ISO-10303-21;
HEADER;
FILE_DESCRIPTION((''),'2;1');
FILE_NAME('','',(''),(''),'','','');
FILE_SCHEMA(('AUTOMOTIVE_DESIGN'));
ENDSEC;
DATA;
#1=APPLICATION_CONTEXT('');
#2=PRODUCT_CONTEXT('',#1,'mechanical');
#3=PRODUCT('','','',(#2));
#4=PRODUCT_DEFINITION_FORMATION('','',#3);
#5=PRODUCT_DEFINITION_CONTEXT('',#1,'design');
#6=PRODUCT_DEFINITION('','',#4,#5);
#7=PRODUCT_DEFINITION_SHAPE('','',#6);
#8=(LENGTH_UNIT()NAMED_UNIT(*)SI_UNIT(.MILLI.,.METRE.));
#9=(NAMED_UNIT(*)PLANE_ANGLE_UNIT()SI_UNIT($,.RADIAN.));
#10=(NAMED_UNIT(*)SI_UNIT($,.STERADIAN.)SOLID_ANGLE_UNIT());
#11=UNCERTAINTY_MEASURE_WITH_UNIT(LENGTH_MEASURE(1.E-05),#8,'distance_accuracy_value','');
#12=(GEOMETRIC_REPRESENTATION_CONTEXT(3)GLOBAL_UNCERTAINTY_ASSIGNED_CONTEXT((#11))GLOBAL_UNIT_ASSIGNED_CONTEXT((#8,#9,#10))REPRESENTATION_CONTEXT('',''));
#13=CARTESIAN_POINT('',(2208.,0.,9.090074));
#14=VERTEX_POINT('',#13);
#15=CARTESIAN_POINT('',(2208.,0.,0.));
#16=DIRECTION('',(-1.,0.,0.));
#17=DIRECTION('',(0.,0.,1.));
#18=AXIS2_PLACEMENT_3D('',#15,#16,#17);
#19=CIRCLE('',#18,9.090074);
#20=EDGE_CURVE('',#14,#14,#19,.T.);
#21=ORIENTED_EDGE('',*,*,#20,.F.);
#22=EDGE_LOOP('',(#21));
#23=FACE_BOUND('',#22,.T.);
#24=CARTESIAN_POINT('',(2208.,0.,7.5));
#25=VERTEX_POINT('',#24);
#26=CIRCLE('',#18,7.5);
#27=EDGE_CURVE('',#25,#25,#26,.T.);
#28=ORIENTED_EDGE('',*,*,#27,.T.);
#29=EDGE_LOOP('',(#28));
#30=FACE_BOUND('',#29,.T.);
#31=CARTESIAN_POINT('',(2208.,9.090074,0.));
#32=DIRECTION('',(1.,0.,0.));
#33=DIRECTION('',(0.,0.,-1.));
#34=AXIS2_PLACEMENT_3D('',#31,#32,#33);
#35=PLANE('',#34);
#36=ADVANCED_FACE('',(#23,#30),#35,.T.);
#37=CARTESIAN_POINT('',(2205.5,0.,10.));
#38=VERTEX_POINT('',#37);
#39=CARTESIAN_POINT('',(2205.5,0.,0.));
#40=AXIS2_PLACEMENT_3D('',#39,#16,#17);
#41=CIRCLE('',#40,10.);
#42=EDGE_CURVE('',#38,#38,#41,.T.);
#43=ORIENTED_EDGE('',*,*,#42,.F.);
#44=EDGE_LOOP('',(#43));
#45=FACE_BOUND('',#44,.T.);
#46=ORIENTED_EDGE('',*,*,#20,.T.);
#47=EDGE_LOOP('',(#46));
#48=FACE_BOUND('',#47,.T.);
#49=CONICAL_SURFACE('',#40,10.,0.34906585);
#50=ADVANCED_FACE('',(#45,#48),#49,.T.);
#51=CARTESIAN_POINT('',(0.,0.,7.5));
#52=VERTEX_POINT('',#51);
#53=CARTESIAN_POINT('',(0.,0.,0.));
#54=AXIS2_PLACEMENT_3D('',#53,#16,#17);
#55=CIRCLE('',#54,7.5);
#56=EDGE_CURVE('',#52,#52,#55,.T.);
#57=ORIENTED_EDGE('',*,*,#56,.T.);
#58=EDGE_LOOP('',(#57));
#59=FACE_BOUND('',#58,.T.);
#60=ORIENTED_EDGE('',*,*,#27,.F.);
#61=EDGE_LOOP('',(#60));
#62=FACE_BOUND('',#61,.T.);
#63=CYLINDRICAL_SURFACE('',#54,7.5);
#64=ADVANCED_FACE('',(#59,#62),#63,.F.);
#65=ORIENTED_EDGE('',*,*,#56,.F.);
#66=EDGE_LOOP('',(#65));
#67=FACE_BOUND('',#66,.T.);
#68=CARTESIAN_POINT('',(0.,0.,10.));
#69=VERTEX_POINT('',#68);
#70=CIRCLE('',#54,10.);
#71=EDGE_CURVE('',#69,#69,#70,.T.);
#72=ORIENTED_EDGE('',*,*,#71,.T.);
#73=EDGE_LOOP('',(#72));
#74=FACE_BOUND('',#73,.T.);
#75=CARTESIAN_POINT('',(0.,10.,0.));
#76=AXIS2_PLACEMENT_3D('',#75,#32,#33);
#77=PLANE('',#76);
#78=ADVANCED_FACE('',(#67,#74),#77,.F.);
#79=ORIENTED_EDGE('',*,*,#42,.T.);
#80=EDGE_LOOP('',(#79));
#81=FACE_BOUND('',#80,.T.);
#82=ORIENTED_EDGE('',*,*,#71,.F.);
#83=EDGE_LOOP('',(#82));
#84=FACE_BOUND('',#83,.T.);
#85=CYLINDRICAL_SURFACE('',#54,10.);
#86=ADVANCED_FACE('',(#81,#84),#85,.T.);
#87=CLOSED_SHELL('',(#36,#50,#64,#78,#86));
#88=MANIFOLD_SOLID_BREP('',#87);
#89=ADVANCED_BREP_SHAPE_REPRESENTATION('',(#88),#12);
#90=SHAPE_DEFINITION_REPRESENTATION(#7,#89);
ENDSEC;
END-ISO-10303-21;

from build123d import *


with BuildPart() as part:
    # Sketch1 → Base-Revolve (revolve)
    with BuildSketch(Plane.XY):
        Polygon((0, 10), (0, 7.5), (2208, 7.5), (2208, 9.090074414), (2205.5, 10), align=None)
    revolve(axis=Axis((0, 0, 0), (1, 0, 0)))


solid = part.part
